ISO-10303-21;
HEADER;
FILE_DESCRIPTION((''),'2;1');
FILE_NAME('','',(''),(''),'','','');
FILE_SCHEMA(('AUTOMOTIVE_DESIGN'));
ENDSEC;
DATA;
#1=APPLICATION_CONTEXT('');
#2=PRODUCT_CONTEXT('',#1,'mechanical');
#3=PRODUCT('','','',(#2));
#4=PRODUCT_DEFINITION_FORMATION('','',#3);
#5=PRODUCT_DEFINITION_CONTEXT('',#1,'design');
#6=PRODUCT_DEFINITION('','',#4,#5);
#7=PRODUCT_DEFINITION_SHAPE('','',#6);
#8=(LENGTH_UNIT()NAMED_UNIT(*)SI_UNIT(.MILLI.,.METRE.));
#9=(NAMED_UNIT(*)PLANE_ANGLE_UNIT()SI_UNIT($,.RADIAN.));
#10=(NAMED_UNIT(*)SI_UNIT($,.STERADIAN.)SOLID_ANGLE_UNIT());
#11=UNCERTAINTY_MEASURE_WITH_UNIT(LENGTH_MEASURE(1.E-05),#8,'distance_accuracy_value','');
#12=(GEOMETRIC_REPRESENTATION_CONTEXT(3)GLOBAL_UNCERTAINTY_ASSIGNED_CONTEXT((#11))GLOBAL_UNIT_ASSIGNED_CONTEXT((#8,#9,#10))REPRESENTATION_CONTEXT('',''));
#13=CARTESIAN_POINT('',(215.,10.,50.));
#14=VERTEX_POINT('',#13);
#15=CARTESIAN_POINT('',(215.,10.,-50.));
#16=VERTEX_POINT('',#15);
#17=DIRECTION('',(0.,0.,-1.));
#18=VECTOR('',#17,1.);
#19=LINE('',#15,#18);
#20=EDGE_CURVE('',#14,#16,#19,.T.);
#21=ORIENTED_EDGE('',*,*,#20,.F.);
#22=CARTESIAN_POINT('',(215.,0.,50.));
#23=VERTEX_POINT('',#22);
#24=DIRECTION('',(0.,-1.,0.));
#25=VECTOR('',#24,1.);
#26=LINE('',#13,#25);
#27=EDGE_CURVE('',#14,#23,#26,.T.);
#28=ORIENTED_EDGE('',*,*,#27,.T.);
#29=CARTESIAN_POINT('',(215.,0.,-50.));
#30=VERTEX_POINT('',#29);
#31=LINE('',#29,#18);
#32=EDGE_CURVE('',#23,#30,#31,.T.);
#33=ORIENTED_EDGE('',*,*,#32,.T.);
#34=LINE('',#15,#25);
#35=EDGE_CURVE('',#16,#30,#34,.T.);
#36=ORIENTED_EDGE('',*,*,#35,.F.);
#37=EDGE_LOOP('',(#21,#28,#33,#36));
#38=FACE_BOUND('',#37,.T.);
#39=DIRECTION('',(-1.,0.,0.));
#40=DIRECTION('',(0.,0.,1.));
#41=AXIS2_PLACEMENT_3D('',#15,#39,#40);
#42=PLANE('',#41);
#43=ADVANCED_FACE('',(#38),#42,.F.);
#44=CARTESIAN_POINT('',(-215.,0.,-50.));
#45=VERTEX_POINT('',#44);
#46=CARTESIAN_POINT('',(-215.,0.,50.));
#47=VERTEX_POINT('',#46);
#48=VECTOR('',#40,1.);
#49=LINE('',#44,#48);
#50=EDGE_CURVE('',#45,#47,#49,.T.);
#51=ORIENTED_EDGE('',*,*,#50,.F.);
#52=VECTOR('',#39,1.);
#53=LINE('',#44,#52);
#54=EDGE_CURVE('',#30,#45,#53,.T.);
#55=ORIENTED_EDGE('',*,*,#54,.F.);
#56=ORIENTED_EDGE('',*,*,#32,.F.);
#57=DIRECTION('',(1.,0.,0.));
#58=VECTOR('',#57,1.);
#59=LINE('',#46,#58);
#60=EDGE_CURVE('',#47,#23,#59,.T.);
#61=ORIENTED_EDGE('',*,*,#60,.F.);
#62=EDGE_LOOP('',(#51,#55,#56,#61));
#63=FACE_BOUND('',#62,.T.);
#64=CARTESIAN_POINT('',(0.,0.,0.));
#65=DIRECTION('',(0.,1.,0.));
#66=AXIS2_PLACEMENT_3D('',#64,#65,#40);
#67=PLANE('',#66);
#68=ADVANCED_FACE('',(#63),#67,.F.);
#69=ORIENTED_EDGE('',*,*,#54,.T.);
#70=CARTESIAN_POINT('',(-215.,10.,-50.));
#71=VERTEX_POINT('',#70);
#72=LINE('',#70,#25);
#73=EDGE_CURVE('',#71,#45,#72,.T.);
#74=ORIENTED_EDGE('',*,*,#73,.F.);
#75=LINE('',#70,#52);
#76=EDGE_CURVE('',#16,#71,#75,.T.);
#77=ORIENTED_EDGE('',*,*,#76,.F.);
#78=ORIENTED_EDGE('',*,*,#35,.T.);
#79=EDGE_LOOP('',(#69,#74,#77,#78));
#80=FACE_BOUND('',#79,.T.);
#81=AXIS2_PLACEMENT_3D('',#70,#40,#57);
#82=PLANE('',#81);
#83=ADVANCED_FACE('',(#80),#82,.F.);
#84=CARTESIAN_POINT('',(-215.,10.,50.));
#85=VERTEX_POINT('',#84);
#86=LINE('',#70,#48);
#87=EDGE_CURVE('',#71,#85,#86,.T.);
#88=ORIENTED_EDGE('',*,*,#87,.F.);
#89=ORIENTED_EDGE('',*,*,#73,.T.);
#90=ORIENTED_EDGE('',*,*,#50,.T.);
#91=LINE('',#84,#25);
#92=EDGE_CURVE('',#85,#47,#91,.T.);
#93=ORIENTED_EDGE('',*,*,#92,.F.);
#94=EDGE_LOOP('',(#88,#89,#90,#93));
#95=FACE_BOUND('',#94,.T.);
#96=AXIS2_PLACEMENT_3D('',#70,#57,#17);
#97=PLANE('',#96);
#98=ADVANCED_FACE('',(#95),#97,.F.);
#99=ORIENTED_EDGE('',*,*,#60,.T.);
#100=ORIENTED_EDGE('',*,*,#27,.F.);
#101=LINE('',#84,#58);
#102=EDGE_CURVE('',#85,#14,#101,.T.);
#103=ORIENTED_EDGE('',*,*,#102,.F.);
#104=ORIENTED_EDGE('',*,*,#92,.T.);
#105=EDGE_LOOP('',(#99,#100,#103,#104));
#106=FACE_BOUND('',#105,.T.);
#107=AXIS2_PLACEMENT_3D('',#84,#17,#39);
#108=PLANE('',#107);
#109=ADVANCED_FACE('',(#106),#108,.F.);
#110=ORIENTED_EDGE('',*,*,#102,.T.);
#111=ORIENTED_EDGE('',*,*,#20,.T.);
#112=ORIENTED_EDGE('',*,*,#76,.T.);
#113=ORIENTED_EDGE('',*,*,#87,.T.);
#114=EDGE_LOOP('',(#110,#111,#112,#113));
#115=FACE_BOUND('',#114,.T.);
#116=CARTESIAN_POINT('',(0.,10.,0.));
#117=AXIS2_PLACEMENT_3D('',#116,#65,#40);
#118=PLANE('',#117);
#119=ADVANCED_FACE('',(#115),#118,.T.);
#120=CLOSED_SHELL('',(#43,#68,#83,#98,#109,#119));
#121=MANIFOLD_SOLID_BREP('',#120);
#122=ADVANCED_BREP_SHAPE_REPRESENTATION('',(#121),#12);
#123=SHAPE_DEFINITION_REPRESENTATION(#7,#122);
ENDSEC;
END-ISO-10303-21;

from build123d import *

# Parameters (mm, degrees)
SKETCH1_W           = 430
SKETCH1_H           = 100
BOSS_EXTRUDE1_DEPTH = 10


with BuildPart() as part:
    # Sketch1 → Boss-Extrude1 (new body)
    with BuildSketch(Plane(origin=(0, 0, 0), x_dir=(1, 0, 0), z_dir=(0, 1, 0))):
        Rectangle(SKETCH1_W, SKETCH1_H)
    extrude(amount=BOSS_EXTRUDE1_DEPTH)


solid = part.part
